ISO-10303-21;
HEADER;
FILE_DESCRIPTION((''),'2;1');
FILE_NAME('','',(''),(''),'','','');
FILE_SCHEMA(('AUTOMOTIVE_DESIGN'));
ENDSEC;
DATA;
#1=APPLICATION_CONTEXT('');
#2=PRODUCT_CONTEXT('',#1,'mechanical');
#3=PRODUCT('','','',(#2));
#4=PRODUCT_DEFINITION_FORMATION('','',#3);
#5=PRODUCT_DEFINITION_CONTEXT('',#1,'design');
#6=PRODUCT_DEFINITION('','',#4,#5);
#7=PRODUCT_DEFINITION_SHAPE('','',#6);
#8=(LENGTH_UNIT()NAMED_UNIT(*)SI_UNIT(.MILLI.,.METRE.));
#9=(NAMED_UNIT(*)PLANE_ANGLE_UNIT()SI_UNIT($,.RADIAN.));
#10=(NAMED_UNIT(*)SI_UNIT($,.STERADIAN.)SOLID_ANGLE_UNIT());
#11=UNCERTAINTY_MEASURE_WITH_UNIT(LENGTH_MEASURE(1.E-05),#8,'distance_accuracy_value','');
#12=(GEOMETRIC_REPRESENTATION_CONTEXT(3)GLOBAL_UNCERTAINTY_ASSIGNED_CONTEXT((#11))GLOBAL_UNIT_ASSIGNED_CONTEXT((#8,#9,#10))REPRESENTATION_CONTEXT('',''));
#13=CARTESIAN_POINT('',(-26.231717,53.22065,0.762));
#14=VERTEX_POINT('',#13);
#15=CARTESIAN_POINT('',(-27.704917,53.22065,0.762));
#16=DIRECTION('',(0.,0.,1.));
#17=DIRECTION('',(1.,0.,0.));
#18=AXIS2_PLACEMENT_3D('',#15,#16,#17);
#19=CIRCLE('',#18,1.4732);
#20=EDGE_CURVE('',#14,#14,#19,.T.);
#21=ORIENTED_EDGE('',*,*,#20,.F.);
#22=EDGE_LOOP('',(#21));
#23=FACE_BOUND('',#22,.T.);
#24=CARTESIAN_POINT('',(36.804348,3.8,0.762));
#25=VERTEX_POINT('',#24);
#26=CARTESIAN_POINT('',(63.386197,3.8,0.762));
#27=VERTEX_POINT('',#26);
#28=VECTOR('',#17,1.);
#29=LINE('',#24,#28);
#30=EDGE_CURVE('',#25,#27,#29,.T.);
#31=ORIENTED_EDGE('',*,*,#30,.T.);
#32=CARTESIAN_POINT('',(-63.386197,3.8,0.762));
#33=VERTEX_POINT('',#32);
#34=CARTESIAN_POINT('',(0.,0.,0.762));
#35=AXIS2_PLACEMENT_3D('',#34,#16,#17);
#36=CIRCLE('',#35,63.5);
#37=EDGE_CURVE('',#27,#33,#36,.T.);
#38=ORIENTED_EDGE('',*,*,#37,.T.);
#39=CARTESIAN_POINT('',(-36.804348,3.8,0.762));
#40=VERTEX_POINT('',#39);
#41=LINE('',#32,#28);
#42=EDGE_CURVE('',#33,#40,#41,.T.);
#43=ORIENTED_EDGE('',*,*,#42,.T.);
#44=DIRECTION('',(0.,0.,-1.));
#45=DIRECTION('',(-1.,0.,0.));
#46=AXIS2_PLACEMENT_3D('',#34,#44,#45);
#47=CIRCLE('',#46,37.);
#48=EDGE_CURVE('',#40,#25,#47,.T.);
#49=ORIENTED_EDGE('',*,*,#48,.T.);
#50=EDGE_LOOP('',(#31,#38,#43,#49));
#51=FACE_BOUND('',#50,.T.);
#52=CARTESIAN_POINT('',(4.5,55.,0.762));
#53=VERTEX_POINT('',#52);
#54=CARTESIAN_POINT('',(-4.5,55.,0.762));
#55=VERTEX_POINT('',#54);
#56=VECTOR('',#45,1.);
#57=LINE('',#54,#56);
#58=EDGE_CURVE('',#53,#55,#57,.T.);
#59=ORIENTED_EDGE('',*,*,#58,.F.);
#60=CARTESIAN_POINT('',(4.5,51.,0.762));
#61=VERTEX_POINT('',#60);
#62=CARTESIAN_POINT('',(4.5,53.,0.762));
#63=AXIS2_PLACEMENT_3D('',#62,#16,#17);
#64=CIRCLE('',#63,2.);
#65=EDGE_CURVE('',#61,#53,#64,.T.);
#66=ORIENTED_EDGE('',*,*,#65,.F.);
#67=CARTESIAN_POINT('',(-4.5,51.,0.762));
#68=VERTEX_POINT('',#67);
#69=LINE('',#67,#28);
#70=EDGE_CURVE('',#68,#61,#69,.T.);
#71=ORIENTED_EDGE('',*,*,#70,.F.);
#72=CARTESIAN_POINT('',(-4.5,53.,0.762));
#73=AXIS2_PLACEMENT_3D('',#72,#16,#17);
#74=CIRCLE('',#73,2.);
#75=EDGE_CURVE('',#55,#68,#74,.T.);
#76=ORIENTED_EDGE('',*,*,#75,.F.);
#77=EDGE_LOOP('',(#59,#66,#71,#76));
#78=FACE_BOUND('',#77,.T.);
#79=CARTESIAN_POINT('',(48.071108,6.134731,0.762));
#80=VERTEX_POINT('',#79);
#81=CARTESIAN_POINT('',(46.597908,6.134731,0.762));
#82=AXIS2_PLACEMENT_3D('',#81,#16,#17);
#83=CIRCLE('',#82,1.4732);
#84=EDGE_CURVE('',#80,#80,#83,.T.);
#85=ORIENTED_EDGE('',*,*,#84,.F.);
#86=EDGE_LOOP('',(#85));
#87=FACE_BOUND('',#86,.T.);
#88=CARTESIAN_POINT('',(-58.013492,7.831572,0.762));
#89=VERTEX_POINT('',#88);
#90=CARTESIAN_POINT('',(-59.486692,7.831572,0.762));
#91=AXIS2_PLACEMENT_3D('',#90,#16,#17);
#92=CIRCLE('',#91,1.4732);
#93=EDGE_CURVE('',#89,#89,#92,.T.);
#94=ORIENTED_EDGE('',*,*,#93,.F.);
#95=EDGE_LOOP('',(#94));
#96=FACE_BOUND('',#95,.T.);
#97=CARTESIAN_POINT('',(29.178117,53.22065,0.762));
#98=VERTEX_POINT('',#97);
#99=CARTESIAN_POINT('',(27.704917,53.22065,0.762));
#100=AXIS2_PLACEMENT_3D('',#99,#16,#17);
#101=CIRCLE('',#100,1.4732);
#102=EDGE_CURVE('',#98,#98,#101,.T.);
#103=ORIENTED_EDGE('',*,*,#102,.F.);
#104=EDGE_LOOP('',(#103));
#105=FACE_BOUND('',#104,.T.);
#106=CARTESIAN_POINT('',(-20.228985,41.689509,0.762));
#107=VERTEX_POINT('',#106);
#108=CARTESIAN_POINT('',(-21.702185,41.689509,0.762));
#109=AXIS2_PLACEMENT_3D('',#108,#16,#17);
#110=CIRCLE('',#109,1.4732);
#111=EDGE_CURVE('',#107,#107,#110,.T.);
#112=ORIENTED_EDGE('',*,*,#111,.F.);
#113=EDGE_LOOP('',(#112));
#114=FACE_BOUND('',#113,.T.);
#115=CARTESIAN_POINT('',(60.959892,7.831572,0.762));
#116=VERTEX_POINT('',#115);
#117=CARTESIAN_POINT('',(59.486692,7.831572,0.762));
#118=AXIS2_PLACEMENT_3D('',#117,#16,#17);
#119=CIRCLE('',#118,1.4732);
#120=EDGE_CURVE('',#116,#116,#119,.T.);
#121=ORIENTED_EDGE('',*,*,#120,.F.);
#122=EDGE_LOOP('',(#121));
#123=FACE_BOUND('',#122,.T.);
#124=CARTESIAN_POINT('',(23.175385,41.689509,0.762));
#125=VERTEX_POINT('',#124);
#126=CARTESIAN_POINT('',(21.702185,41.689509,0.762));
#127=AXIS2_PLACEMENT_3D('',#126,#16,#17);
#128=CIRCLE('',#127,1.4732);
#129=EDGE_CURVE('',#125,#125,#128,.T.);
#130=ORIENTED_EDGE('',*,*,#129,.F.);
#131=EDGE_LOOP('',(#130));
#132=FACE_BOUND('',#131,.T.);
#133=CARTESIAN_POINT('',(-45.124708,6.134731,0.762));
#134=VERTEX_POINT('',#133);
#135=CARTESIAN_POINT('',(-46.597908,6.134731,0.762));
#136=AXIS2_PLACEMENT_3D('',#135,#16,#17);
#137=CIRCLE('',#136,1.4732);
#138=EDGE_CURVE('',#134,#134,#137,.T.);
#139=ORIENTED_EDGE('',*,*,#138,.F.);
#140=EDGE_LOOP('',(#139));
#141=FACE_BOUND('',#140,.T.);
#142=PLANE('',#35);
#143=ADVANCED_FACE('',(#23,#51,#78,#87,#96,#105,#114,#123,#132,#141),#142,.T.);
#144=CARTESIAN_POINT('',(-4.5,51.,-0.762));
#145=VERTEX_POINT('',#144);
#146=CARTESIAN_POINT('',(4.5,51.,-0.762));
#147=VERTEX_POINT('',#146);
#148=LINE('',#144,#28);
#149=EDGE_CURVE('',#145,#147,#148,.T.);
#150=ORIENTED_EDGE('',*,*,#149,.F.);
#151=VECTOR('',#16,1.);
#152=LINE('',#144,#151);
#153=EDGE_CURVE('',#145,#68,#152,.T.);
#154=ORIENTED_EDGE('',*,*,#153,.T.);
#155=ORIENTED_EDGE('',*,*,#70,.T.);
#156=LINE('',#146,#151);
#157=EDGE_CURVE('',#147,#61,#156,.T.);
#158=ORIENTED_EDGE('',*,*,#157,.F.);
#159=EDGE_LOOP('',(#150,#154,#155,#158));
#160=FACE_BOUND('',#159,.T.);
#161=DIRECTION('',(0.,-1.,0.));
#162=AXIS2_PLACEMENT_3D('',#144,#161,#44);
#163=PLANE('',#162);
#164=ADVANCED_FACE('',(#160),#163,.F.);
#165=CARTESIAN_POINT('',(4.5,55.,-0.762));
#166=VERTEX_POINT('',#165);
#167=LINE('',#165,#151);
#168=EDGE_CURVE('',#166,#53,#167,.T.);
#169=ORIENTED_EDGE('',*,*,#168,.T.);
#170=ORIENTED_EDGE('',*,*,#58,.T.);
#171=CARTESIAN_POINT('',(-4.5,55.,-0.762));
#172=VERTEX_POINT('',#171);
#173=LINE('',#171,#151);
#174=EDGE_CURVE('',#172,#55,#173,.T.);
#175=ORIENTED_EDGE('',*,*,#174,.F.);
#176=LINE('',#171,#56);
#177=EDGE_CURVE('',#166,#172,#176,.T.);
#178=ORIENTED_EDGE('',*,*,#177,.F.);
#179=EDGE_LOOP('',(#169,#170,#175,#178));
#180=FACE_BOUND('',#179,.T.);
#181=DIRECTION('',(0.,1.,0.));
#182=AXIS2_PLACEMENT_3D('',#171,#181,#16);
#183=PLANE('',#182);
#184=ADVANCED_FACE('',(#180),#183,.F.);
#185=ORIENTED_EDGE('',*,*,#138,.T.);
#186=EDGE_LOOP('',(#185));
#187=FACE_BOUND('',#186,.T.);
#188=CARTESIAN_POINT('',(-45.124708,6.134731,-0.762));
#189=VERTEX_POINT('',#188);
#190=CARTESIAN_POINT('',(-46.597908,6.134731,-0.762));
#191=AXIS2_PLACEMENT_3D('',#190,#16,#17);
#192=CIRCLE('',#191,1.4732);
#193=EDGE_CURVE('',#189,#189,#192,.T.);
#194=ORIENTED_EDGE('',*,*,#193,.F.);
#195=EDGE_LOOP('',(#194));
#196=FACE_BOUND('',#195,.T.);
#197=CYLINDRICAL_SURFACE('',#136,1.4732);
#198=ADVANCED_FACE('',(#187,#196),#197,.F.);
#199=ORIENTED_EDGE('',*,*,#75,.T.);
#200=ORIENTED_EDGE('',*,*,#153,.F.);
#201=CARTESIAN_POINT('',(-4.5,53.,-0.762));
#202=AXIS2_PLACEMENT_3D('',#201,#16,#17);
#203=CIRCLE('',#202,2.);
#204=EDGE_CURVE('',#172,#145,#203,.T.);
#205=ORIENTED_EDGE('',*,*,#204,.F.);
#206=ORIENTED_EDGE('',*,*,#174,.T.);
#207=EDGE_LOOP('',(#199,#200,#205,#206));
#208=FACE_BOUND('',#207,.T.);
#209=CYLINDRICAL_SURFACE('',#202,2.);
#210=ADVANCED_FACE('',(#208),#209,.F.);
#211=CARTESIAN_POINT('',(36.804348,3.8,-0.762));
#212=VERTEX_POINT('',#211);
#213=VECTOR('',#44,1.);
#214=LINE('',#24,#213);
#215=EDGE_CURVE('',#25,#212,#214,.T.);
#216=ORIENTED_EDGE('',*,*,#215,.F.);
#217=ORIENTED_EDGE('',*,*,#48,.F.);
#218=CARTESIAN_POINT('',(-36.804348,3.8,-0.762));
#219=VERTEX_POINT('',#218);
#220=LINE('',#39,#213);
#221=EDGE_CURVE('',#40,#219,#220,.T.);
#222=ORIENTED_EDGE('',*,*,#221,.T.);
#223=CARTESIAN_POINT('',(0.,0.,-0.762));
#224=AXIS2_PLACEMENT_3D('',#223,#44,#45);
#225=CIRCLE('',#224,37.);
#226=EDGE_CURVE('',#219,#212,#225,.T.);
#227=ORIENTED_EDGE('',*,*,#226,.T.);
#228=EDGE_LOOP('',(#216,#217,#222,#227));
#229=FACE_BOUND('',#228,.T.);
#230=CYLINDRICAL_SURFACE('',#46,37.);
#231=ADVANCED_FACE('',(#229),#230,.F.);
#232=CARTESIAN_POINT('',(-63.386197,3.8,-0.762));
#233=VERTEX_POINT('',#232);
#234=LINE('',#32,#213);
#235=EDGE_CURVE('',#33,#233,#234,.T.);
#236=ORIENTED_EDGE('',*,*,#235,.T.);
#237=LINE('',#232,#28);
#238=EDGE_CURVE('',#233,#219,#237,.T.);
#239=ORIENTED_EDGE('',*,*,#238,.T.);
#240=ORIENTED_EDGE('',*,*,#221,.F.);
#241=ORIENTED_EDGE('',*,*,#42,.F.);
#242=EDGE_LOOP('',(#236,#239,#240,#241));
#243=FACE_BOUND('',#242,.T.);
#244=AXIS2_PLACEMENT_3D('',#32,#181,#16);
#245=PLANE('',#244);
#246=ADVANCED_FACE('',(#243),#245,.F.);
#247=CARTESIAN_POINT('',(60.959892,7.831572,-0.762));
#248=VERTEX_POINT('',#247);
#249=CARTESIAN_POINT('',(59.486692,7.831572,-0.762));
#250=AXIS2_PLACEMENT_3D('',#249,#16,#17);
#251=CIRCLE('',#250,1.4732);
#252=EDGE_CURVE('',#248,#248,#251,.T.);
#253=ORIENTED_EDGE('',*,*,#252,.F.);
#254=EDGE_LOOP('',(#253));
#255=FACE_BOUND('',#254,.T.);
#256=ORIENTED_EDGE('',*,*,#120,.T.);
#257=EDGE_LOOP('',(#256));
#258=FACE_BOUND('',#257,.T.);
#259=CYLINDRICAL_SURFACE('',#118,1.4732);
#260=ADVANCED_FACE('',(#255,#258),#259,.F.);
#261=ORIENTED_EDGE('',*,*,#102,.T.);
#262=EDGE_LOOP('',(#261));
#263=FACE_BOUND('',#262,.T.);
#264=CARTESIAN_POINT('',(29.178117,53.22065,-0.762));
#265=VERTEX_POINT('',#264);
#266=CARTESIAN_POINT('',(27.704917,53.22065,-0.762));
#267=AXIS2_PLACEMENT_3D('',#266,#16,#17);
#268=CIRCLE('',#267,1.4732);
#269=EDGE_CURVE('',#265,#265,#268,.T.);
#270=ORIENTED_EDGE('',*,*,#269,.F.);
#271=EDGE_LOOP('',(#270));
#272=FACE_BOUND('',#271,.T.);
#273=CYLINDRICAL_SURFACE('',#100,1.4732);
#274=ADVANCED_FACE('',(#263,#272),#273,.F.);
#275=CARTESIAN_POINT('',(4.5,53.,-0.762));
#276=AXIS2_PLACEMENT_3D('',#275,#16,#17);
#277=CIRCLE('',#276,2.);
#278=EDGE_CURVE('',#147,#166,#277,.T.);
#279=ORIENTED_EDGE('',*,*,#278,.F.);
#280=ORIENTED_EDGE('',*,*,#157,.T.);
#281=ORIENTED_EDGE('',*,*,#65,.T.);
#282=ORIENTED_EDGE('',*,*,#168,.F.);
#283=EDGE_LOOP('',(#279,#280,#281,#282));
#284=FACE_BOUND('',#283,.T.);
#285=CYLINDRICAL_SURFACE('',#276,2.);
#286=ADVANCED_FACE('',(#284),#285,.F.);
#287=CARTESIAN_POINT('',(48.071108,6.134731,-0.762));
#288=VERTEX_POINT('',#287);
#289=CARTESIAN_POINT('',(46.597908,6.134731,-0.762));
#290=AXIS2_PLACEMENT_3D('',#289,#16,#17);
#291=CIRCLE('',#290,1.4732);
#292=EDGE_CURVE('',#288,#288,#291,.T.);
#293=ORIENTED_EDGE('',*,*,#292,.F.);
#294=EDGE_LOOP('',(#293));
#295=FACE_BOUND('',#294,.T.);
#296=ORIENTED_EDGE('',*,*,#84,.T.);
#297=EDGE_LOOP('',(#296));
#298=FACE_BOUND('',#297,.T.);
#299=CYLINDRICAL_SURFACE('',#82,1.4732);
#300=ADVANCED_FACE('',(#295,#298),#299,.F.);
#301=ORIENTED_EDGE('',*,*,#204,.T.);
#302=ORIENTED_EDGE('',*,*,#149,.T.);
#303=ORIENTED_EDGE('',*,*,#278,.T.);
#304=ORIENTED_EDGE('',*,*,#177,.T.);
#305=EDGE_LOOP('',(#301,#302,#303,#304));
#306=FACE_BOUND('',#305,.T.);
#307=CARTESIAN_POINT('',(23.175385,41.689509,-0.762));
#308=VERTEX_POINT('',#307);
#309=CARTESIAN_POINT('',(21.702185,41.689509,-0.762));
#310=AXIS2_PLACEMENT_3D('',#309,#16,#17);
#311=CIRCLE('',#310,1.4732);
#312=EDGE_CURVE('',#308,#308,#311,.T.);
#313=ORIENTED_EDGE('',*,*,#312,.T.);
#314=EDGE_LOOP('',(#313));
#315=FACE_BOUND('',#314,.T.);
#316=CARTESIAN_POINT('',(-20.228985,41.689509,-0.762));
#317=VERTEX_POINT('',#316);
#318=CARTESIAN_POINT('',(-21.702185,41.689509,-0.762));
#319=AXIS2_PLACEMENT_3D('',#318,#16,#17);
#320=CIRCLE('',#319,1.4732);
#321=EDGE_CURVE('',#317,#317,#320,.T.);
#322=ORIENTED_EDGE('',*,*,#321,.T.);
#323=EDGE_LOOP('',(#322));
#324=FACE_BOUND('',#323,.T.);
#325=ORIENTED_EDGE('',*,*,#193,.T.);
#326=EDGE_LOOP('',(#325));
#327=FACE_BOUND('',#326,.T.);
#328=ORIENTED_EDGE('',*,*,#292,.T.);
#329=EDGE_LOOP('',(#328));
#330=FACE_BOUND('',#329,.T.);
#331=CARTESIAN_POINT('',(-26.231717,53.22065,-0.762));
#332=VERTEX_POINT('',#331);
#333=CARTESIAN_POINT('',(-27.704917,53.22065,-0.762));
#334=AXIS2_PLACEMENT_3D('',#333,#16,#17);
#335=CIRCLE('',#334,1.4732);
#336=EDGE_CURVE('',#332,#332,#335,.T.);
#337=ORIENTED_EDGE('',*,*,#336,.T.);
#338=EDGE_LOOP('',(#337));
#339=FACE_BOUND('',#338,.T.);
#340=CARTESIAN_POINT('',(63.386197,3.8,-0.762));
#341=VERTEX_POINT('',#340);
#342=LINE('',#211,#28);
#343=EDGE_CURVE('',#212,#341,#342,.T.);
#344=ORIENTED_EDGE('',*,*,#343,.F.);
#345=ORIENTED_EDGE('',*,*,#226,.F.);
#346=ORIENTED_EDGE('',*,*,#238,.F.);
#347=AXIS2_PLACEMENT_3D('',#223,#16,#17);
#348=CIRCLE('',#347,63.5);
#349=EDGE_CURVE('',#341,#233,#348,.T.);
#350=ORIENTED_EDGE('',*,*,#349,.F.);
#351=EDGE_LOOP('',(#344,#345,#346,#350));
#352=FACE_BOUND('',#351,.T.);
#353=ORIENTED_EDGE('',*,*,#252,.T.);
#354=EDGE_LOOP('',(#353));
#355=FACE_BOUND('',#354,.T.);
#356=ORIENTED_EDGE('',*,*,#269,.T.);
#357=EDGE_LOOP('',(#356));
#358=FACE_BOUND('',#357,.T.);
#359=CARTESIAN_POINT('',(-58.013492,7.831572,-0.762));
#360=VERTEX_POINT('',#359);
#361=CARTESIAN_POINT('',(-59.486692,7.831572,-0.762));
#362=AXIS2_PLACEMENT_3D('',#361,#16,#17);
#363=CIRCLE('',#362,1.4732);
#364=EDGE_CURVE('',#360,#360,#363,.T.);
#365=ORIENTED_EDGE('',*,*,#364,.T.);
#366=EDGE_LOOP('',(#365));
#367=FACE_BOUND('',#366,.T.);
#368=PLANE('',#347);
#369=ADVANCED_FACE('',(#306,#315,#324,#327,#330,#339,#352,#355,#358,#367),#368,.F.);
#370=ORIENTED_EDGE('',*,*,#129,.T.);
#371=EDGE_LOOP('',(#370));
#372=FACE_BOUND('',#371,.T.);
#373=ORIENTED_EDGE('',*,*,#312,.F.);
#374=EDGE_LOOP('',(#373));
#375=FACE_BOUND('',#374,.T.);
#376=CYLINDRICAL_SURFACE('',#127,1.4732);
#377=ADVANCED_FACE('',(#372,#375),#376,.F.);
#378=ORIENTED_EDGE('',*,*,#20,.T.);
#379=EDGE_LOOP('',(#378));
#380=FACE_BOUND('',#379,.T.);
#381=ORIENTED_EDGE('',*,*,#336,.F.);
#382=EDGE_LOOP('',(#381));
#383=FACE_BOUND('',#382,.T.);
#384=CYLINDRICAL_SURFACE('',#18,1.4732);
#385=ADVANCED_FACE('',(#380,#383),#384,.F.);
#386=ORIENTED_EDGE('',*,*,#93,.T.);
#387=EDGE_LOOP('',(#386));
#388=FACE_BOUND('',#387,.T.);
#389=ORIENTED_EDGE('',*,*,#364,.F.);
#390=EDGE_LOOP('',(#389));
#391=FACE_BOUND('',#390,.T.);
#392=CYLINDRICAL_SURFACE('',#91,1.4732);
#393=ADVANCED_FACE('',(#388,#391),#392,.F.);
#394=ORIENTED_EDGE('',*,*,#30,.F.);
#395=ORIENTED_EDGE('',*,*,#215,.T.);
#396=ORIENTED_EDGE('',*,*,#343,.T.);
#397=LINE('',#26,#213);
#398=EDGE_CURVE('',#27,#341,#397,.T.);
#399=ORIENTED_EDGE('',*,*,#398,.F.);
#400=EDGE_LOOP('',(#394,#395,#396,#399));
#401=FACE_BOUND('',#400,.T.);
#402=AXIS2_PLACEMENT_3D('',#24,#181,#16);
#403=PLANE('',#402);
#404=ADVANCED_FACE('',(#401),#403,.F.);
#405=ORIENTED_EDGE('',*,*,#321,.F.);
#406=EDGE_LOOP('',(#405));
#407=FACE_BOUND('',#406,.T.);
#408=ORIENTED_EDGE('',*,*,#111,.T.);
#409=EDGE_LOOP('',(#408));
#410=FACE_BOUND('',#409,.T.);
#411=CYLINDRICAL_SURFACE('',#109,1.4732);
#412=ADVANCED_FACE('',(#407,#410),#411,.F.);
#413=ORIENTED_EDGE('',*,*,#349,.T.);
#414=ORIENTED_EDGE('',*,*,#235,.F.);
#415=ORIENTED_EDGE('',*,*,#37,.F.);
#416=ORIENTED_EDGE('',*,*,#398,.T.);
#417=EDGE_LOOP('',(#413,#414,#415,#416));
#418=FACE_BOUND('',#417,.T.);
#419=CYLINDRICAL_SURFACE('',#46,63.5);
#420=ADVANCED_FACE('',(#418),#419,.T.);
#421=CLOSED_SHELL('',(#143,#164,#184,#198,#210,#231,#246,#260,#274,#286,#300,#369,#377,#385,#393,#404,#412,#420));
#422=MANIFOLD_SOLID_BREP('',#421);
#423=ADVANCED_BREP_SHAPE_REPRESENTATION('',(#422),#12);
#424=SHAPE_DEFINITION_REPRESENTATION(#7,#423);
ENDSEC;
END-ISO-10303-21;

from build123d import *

# Parameters (mm, degrees)
BOSS_EXTRUDE1_DEPTH            = 0.762
F_4_CLEARANCE_HOLE1_AT_2_COUNT = 2
F_4_CLEARANCE_HOLE1_AT_2_PITCH = 13
CIRPATTERN1_COUNT              = 4
CIRPATTERN1_ANGLE              = 165
CUT_EXTRUDE1_DEPTH             = 2.524


with BuildPart() as part:
    # Sketch1 → Boss-Extrude1 (new body, symmetric)
    with BuildSketch(Plane.XY):
        with BuildLine():
            Line((-63.386197236, 3.8), (-36.804347569, 3.8))
            ThreePointArc((-36.804347569, 3.8), (0, 37), (36.804347569, 3.8))
            Line((36.804347569, 3.8), (63.386197236, 3.8))
            ThreePointArc((63.386197236, 3.8), (0, 63.5), (-63.386197236, 3.8))
        make_face()
    extrude(amount=BOSS_EXTRUDE1_DEPTH, both=True)

    # Sketch2 → #4 Clearance Hole1 (revolve, cut)
    with BuildSketch(Plane(origin=(-59.486691682, 7.831571533, 0.762), x_dir=(0, -1, 0), z_dir=(1, 0, 0))):
        Polygon((0, 0), (0, 136.775187864), (1.4732, 135.89), (1.4732, 0), align=None)
    f_4_clearance_hole1 = revolve(axis=Axis((-59.486691682, 7.831571533, 7.112), (0, 0, -1)), mode=Mode.SUBTRACT)

    # #4 Clearance Hole1 at 2: #4 Clearance Hole1 ×2
    with Locations(*[Vector(0.991444861, -0.130526192, 0) * (i * F_4_CLEARANCE_HOLE1_AT_2_PITCH) for i in range(1, F_4_CLEARANCE_HOLE1_AT_2_COUNT)]):
        add(f_4_clearance_hole1, mode=Mode.SUBTRACT)

    # CirPattern1: #4 Clearance Hole1 ×4 about axis
    cirpattern1_axis = Axis((0, 0, 0), (0, 0, -1))
    for i in range(1, CIRPATTERN1_COUNT):
        add(f_4_clearance_hole1.rotate(cirpattern1_axis, i * CIRPATTERN1_ANGLE / (CIRPATTERN1_COUNT - 1)), mode=Mode.SUBTRACT)

    # CirPattern1 copy 1 sketch → CirPattern1 copy 1 (revolve, cut)
    with BuildSketch(Plane(origin=(-21.702184822, 41.689509159, 0.762), x_dir=(-0.819152044, -0.573576436, 0), z_dir=(0.573576436, -0.819152044, 0))):
        Polygon((0, 0), (0, 136.775187864), (1.4732, 135.89), (1.4732, 0), align=None)
    revolve(axis=Axis((-21.702184822, 41.689509159, 7.112), (0, 0, -1)), mode=Mode.SUBTRACT)

    # CirPattern1 copy 2 sketch → CirPattern1 copy 2 (revolve, cut)
    with BuildSketch(Plane(origin=(21.702184822, 41.689509159, 0.762), x_dir=(-0.939692621, 0.342020143, 0), z_dir=(-0.342020143, -0.939692621, 0))):
        Polygon((0, 0), (0, 136.775187864), (1.4732, 135.89), (1.4732, 0), align=None)
    revolve(axis=Axis((21.702184822, 41.689509159, 7.112), (0, 0, -1)), mode=Mode.SUBTRACT)

    # CirPattern1 copy 3 sketch → CirPattern1 copy 3 (revolve, cut)
    with BuildSketch(Plane(origin=(46.597908485, 6.134731034, 0.762), x_dir=(-0.258819045, 0.965925826, 0), z_dir=(-0.965925826, -0.258819045, 0))):
        Polygon((0, 0), (0, 136.775187864), (1.4732, 135.89), (1.4732, 0), align=None)
    revolve(axis=Axis((46.597908485, 6.134731034, 7.112), (0, 0, -1)), mode=Mode.SUBTRACT)

    # Sketch4 → Cut-Extrude1 (cut, through all)
    with BuildSketch(Plane.XY.offset(0.762)):
        with BuildLine():
            Line((-4.5, 55), (4.5, 55))
            ThreePointArc((4.5, 55), (6.5, 53), (4.5, 51))
            Line((4.5, 51), (-4.5, 51))
            ThreePointArc((-4.5, 51), (-6.5, 53), (-4.5, 55))
        make_face()
    extrude(amount=-CUT_EXTRUDE1_DEPTH, mode=Mode.SUBTRACT)


solid = part.part
